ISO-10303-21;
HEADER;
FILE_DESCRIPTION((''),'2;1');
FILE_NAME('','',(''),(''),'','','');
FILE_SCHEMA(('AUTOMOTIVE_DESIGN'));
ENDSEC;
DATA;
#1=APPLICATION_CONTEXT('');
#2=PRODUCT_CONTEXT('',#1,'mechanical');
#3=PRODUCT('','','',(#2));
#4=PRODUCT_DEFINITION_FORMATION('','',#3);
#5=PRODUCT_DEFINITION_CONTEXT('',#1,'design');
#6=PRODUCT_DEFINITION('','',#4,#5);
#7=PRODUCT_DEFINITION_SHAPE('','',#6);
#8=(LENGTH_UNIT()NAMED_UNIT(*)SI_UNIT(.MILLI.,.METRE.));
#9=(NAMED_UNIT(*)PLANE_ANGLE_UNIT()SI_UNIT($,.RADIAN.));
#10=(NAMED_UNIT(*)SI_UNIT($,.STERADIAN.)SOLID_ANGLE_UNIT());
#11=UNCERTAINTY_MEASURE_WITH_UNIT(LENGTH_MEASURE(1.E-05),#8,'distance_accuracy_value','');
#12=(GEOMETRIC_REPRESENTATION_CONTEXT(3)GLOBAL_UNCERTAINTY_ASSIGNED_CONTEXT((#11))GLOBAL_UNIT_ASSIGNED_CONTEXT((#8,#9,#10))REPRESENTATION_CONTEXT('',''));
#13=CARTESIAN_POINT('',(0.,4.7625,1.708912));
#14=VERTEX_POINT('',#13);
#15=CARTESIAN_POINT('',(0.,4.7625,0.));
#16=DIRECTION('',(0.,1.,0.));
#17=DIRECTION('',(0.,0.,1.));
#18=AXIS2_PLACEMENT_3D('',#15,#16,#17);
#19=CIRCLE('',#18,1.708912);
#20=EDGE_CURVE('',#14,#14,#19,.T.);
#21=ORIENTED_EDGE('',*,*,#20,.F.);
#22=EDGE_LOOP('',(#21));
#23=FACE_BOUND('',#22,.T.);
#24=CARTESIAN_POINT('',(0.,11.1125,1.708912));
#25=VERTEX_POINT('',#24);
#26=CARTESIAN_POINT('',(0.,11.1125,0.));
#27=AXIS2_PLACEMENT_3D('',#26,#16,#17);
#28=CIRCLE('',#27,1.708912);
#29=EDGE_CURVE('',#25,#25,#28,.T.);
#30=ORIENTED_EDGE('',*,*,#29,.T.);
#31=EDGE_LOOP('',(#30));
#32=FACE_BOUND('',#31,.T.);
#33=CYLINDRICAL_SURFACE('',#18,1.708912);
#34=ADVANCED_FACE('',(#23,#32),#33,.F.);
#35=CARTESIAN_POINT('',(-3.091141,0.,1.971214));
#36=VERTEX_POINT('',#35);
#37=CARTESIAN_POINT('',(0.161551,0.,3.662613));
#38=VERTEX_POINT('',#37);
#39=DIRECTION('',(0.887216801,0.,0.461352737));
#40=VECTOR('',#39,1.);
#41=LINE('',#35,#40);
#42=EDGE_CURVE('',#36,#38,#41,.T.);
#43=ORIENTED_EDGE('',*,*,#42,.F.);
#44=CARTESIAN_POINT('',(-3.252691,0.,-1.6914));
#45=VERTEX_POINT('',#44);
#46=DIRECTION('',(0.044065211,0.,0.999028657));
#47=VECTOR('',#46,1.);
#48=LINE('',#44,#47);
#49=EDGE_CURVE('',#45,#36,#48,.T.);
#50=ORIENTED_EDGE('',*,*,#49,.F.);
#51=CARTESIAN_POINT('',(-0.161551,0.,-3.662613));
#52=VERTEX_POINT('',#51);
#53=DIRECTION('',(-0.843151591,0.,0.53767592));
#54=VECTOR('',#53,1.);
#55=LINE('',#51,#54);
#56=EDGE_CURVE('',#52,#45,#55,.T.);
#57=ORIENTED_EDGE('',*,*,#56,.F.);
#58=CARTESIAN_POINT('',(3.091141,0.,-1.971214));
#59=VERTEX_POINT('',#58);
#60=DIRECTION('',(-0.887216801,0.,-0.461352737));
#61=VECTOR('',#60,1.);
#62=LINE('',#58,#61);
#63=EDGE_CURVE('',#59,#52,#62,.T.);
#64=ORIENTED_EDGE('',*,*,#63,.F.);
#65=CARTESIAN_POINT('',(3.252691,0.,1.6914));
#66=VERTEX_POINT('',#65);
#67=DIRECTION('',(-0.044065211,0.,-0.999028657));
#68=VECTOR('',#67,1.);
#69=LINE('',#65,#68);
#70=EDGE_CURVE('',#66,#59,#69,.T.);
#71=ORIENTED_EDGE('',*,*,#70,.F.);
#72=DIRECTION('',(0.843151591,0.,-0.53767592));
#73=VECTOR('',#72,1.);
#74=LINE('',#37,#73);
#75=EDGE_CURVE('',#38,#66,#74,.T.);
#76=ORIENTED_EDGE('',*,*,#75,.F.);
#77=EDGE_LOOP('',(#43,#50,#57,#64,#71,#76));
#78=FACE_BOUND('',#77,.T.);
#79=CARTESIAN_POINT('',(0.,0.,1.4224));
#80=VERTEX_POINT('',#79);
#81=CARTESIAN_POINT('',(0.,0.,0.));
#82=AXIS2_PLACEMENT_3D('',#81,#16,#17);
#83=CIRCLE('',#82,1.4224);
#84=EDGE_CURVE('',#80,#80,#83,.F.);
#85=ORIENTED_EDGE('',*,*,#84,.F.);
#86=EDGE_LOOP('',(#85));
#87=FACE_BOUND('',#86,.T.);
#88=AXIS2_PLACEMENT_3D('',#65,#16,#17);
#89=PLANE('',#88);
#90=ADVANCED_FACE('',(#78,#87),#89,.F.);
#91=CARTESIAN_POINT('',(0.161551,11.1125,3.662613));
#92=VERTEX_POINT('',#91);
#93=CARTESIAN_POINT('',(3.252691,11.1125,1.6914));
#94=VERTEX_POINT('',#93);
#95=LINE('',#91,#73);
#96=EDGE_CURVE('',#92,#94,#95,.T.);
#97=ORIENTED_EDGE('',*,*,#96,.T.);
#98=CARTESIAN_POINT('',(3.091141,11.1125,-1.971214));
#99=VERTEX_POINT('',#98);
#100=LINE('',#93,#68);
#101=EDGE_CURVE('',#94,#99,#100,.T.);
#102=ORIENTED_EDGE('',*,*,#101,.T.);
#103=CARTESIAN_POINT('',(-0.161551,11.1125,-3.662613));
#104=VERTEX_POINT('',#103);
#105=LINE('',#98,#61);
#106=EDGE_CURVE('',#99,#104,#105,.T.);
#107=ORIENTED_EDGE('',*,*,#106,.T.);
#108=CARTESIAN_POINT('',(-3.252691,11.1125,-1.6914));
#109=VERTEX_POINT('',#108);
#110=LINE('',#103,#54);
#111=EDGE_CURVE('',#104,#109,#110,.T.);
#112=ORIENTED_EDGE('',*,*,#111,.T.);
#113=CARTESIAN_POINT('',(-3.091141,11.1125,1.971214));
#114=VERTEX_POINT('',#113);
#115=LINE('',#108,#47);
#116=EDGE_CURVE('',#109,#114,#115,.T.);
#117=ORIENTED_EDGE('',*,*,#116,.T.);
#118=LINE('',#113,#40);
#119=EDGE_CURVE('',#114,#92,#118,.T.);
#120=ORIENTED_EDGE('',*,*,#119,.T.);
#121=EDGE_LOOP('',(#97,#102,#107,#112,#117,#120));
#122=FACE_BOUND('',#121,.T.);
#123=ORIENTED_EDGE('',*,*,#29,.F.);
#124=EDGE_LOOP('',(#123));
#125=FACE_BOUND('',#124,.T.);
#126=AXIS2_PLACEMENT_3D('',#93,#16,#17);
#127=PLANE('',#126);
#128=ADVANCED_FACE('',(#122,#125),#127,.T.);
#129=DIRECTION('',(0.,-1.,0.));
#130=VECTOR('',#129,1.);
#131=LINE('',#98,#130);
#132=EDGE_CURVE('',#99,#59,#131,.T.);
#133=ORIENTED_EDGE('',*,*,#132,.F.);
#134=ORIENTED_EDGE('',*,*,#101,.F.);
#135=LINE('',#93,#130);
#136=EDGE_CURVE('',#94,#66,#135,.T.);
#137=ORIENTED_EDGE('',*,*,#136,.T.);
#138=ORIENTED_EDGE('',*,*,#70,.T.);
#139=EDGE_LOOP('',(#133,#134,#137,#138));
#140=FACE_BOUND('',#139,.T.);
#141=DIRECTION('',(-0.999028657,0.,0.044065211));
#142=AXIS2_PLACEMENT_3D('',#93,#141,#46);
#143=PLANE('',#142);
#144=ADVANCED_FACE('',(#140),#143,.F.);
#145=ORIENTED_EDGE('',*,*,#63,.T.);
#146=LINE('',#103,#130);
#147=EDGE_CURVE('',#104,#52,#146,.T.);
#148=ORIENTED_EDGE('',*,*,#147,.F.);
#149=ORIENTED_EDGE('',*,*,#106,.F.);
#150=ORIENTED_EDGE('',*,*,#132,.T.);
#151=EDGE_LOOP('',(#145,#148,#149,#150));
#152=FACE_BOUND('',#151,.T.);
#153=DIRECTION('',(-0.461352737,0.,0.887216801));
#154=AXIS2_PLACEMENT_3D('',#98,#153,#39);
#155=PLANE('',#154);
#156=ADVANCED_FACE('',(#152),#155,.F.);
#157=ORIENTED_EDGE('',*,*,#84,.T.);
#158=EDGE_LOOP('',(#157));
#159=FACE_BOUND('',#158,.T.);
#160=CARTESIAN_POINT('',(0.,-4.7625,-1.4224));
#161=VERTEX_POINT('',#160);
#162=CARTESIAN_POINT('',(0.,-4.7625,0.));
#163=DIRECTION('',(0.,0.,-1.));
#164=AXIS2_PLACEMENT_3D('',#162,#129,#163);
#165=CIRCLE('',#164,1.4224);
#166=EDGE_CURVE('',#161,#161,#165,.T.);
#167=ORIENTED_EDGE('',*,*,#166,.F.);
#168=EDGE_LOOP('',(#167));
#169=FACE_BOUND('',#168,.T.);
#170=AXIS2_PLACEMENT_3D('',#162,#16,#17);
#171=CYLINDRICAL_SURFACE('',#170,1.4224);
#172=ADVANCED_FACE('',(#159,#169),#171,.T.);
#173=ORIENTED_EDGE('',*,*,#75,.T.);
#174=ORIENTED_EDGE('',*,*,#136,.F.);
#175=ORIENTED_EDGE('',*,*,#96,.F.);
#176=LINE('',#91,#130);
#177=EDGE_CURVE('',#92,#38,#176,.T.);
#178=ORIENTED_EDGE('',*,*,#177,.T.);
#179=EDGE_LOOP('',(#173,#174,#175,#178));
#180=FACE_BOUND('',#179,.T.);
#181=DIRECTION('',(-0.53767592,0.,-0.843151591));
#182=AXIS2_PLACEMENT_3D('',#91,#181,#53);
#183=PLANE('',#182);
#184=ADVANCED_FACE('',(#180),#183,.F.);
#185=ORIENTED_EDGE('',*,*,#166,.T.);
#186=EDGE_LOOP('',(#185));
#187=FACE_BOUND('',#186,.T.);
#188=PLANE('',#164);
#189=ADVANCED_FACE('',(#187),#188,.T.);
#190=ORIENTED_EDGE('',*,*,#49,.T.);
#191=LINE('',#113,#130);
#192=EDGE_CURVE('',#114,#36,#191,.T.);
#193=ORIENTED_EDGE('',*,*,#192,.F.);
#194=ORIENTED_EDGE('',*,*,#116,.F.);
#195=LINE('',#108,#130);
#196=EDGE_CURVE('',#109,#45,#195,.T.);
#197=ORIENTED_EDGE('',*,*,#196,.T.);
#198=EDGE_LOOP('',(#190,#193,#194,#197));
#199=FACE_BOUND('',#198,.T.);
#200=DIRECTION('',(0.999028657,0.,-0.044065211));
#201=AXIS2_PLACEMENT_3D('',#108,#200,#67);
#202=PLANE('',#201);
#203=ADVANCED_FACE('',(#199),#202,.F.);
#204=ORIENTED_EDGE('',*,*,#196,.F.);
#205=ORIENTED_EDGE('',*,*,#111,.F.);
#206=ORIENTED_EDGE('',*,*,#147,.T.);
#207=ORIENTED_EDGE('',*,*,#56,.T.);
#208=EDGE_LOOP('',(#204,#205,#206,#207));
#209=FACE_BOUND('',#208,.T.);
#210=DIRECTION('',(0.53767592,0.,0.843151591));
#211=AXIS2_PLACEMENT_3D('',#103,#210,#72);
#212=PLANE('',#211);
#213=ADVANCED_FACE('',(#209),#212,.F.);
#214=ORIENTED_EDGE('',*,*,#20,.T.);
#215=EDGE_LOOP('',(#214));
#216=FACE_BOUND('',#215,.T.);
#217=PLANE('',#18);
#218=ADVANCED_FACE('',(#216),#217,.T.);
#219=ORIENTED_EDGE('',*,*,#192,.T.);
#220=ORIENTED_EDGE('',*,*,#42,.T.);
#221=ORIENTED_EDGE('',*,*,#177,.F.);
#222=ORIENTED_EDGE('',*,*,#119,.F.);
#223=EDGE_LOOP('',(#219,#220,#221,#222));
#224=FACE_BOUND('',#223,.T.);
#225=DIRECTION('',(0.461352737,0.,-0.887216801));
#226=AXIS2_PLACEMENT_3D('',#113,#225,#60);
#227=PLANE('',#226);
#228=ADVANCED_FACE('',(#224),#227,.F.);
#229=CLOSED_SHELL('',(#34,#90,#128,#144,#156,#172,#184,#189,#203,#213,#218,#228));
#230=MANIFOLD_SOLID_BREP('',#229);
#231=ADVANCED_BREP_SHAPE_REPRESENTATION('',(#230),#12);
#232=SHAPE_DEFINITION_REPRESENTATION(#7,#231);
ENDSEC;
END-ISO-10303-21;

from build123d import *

# Parameters (mm, degrees)
BOSS_EXTRUDE1_DEPTH = 11.1125
SKETCH2_R           = 1.4224
BOSS_EXTRUDE2_DEPTH = 4.7625
SKETCH3_R           = 1.70891155
CUT_EXTRUDE1_DEPTH  = 6.35


with BuildPart() as part:
    # Sketch1 → Boss-Extrude1 (new body)
    with BuildSketch(Plane(origin=(0, 0, 0), x_dir=(1, 0, 0), z_dir=(0, 1, 0))):
        Polygon((3.252691355, -1.691399504), (3.091140616, 1.971213592), (-0.161550739, 3.662613096), (-3.252691355, 1.691399504), (-3.091140616, -1.971213592), (0.161550739, -3.662613096), align=None)
    extrude(amount=BOSS_EXTRUDE1_DEPTH)

    # Sketch2 → Boss-Extrude2 (add)
    with BuildSketch(Plane.XZ):
        Circle(SKETCH2_R)
    extrude(amount=BOSS_EXTRUDE2_DEPTH)

    # Sketch3 → Cut-Extrude1 (cut)
    with BuildSketch(Plane(origin=(0, 11.1125, 0), x_dir=(1, 0, 0), z_dir=(0, 1, 0))):
        Circle(SKETCH3_R)
    extrude(amount=-CUT_EXTRUDE1_DEPTH, mode=Mode.SUBTRACT)


solid = part.part
